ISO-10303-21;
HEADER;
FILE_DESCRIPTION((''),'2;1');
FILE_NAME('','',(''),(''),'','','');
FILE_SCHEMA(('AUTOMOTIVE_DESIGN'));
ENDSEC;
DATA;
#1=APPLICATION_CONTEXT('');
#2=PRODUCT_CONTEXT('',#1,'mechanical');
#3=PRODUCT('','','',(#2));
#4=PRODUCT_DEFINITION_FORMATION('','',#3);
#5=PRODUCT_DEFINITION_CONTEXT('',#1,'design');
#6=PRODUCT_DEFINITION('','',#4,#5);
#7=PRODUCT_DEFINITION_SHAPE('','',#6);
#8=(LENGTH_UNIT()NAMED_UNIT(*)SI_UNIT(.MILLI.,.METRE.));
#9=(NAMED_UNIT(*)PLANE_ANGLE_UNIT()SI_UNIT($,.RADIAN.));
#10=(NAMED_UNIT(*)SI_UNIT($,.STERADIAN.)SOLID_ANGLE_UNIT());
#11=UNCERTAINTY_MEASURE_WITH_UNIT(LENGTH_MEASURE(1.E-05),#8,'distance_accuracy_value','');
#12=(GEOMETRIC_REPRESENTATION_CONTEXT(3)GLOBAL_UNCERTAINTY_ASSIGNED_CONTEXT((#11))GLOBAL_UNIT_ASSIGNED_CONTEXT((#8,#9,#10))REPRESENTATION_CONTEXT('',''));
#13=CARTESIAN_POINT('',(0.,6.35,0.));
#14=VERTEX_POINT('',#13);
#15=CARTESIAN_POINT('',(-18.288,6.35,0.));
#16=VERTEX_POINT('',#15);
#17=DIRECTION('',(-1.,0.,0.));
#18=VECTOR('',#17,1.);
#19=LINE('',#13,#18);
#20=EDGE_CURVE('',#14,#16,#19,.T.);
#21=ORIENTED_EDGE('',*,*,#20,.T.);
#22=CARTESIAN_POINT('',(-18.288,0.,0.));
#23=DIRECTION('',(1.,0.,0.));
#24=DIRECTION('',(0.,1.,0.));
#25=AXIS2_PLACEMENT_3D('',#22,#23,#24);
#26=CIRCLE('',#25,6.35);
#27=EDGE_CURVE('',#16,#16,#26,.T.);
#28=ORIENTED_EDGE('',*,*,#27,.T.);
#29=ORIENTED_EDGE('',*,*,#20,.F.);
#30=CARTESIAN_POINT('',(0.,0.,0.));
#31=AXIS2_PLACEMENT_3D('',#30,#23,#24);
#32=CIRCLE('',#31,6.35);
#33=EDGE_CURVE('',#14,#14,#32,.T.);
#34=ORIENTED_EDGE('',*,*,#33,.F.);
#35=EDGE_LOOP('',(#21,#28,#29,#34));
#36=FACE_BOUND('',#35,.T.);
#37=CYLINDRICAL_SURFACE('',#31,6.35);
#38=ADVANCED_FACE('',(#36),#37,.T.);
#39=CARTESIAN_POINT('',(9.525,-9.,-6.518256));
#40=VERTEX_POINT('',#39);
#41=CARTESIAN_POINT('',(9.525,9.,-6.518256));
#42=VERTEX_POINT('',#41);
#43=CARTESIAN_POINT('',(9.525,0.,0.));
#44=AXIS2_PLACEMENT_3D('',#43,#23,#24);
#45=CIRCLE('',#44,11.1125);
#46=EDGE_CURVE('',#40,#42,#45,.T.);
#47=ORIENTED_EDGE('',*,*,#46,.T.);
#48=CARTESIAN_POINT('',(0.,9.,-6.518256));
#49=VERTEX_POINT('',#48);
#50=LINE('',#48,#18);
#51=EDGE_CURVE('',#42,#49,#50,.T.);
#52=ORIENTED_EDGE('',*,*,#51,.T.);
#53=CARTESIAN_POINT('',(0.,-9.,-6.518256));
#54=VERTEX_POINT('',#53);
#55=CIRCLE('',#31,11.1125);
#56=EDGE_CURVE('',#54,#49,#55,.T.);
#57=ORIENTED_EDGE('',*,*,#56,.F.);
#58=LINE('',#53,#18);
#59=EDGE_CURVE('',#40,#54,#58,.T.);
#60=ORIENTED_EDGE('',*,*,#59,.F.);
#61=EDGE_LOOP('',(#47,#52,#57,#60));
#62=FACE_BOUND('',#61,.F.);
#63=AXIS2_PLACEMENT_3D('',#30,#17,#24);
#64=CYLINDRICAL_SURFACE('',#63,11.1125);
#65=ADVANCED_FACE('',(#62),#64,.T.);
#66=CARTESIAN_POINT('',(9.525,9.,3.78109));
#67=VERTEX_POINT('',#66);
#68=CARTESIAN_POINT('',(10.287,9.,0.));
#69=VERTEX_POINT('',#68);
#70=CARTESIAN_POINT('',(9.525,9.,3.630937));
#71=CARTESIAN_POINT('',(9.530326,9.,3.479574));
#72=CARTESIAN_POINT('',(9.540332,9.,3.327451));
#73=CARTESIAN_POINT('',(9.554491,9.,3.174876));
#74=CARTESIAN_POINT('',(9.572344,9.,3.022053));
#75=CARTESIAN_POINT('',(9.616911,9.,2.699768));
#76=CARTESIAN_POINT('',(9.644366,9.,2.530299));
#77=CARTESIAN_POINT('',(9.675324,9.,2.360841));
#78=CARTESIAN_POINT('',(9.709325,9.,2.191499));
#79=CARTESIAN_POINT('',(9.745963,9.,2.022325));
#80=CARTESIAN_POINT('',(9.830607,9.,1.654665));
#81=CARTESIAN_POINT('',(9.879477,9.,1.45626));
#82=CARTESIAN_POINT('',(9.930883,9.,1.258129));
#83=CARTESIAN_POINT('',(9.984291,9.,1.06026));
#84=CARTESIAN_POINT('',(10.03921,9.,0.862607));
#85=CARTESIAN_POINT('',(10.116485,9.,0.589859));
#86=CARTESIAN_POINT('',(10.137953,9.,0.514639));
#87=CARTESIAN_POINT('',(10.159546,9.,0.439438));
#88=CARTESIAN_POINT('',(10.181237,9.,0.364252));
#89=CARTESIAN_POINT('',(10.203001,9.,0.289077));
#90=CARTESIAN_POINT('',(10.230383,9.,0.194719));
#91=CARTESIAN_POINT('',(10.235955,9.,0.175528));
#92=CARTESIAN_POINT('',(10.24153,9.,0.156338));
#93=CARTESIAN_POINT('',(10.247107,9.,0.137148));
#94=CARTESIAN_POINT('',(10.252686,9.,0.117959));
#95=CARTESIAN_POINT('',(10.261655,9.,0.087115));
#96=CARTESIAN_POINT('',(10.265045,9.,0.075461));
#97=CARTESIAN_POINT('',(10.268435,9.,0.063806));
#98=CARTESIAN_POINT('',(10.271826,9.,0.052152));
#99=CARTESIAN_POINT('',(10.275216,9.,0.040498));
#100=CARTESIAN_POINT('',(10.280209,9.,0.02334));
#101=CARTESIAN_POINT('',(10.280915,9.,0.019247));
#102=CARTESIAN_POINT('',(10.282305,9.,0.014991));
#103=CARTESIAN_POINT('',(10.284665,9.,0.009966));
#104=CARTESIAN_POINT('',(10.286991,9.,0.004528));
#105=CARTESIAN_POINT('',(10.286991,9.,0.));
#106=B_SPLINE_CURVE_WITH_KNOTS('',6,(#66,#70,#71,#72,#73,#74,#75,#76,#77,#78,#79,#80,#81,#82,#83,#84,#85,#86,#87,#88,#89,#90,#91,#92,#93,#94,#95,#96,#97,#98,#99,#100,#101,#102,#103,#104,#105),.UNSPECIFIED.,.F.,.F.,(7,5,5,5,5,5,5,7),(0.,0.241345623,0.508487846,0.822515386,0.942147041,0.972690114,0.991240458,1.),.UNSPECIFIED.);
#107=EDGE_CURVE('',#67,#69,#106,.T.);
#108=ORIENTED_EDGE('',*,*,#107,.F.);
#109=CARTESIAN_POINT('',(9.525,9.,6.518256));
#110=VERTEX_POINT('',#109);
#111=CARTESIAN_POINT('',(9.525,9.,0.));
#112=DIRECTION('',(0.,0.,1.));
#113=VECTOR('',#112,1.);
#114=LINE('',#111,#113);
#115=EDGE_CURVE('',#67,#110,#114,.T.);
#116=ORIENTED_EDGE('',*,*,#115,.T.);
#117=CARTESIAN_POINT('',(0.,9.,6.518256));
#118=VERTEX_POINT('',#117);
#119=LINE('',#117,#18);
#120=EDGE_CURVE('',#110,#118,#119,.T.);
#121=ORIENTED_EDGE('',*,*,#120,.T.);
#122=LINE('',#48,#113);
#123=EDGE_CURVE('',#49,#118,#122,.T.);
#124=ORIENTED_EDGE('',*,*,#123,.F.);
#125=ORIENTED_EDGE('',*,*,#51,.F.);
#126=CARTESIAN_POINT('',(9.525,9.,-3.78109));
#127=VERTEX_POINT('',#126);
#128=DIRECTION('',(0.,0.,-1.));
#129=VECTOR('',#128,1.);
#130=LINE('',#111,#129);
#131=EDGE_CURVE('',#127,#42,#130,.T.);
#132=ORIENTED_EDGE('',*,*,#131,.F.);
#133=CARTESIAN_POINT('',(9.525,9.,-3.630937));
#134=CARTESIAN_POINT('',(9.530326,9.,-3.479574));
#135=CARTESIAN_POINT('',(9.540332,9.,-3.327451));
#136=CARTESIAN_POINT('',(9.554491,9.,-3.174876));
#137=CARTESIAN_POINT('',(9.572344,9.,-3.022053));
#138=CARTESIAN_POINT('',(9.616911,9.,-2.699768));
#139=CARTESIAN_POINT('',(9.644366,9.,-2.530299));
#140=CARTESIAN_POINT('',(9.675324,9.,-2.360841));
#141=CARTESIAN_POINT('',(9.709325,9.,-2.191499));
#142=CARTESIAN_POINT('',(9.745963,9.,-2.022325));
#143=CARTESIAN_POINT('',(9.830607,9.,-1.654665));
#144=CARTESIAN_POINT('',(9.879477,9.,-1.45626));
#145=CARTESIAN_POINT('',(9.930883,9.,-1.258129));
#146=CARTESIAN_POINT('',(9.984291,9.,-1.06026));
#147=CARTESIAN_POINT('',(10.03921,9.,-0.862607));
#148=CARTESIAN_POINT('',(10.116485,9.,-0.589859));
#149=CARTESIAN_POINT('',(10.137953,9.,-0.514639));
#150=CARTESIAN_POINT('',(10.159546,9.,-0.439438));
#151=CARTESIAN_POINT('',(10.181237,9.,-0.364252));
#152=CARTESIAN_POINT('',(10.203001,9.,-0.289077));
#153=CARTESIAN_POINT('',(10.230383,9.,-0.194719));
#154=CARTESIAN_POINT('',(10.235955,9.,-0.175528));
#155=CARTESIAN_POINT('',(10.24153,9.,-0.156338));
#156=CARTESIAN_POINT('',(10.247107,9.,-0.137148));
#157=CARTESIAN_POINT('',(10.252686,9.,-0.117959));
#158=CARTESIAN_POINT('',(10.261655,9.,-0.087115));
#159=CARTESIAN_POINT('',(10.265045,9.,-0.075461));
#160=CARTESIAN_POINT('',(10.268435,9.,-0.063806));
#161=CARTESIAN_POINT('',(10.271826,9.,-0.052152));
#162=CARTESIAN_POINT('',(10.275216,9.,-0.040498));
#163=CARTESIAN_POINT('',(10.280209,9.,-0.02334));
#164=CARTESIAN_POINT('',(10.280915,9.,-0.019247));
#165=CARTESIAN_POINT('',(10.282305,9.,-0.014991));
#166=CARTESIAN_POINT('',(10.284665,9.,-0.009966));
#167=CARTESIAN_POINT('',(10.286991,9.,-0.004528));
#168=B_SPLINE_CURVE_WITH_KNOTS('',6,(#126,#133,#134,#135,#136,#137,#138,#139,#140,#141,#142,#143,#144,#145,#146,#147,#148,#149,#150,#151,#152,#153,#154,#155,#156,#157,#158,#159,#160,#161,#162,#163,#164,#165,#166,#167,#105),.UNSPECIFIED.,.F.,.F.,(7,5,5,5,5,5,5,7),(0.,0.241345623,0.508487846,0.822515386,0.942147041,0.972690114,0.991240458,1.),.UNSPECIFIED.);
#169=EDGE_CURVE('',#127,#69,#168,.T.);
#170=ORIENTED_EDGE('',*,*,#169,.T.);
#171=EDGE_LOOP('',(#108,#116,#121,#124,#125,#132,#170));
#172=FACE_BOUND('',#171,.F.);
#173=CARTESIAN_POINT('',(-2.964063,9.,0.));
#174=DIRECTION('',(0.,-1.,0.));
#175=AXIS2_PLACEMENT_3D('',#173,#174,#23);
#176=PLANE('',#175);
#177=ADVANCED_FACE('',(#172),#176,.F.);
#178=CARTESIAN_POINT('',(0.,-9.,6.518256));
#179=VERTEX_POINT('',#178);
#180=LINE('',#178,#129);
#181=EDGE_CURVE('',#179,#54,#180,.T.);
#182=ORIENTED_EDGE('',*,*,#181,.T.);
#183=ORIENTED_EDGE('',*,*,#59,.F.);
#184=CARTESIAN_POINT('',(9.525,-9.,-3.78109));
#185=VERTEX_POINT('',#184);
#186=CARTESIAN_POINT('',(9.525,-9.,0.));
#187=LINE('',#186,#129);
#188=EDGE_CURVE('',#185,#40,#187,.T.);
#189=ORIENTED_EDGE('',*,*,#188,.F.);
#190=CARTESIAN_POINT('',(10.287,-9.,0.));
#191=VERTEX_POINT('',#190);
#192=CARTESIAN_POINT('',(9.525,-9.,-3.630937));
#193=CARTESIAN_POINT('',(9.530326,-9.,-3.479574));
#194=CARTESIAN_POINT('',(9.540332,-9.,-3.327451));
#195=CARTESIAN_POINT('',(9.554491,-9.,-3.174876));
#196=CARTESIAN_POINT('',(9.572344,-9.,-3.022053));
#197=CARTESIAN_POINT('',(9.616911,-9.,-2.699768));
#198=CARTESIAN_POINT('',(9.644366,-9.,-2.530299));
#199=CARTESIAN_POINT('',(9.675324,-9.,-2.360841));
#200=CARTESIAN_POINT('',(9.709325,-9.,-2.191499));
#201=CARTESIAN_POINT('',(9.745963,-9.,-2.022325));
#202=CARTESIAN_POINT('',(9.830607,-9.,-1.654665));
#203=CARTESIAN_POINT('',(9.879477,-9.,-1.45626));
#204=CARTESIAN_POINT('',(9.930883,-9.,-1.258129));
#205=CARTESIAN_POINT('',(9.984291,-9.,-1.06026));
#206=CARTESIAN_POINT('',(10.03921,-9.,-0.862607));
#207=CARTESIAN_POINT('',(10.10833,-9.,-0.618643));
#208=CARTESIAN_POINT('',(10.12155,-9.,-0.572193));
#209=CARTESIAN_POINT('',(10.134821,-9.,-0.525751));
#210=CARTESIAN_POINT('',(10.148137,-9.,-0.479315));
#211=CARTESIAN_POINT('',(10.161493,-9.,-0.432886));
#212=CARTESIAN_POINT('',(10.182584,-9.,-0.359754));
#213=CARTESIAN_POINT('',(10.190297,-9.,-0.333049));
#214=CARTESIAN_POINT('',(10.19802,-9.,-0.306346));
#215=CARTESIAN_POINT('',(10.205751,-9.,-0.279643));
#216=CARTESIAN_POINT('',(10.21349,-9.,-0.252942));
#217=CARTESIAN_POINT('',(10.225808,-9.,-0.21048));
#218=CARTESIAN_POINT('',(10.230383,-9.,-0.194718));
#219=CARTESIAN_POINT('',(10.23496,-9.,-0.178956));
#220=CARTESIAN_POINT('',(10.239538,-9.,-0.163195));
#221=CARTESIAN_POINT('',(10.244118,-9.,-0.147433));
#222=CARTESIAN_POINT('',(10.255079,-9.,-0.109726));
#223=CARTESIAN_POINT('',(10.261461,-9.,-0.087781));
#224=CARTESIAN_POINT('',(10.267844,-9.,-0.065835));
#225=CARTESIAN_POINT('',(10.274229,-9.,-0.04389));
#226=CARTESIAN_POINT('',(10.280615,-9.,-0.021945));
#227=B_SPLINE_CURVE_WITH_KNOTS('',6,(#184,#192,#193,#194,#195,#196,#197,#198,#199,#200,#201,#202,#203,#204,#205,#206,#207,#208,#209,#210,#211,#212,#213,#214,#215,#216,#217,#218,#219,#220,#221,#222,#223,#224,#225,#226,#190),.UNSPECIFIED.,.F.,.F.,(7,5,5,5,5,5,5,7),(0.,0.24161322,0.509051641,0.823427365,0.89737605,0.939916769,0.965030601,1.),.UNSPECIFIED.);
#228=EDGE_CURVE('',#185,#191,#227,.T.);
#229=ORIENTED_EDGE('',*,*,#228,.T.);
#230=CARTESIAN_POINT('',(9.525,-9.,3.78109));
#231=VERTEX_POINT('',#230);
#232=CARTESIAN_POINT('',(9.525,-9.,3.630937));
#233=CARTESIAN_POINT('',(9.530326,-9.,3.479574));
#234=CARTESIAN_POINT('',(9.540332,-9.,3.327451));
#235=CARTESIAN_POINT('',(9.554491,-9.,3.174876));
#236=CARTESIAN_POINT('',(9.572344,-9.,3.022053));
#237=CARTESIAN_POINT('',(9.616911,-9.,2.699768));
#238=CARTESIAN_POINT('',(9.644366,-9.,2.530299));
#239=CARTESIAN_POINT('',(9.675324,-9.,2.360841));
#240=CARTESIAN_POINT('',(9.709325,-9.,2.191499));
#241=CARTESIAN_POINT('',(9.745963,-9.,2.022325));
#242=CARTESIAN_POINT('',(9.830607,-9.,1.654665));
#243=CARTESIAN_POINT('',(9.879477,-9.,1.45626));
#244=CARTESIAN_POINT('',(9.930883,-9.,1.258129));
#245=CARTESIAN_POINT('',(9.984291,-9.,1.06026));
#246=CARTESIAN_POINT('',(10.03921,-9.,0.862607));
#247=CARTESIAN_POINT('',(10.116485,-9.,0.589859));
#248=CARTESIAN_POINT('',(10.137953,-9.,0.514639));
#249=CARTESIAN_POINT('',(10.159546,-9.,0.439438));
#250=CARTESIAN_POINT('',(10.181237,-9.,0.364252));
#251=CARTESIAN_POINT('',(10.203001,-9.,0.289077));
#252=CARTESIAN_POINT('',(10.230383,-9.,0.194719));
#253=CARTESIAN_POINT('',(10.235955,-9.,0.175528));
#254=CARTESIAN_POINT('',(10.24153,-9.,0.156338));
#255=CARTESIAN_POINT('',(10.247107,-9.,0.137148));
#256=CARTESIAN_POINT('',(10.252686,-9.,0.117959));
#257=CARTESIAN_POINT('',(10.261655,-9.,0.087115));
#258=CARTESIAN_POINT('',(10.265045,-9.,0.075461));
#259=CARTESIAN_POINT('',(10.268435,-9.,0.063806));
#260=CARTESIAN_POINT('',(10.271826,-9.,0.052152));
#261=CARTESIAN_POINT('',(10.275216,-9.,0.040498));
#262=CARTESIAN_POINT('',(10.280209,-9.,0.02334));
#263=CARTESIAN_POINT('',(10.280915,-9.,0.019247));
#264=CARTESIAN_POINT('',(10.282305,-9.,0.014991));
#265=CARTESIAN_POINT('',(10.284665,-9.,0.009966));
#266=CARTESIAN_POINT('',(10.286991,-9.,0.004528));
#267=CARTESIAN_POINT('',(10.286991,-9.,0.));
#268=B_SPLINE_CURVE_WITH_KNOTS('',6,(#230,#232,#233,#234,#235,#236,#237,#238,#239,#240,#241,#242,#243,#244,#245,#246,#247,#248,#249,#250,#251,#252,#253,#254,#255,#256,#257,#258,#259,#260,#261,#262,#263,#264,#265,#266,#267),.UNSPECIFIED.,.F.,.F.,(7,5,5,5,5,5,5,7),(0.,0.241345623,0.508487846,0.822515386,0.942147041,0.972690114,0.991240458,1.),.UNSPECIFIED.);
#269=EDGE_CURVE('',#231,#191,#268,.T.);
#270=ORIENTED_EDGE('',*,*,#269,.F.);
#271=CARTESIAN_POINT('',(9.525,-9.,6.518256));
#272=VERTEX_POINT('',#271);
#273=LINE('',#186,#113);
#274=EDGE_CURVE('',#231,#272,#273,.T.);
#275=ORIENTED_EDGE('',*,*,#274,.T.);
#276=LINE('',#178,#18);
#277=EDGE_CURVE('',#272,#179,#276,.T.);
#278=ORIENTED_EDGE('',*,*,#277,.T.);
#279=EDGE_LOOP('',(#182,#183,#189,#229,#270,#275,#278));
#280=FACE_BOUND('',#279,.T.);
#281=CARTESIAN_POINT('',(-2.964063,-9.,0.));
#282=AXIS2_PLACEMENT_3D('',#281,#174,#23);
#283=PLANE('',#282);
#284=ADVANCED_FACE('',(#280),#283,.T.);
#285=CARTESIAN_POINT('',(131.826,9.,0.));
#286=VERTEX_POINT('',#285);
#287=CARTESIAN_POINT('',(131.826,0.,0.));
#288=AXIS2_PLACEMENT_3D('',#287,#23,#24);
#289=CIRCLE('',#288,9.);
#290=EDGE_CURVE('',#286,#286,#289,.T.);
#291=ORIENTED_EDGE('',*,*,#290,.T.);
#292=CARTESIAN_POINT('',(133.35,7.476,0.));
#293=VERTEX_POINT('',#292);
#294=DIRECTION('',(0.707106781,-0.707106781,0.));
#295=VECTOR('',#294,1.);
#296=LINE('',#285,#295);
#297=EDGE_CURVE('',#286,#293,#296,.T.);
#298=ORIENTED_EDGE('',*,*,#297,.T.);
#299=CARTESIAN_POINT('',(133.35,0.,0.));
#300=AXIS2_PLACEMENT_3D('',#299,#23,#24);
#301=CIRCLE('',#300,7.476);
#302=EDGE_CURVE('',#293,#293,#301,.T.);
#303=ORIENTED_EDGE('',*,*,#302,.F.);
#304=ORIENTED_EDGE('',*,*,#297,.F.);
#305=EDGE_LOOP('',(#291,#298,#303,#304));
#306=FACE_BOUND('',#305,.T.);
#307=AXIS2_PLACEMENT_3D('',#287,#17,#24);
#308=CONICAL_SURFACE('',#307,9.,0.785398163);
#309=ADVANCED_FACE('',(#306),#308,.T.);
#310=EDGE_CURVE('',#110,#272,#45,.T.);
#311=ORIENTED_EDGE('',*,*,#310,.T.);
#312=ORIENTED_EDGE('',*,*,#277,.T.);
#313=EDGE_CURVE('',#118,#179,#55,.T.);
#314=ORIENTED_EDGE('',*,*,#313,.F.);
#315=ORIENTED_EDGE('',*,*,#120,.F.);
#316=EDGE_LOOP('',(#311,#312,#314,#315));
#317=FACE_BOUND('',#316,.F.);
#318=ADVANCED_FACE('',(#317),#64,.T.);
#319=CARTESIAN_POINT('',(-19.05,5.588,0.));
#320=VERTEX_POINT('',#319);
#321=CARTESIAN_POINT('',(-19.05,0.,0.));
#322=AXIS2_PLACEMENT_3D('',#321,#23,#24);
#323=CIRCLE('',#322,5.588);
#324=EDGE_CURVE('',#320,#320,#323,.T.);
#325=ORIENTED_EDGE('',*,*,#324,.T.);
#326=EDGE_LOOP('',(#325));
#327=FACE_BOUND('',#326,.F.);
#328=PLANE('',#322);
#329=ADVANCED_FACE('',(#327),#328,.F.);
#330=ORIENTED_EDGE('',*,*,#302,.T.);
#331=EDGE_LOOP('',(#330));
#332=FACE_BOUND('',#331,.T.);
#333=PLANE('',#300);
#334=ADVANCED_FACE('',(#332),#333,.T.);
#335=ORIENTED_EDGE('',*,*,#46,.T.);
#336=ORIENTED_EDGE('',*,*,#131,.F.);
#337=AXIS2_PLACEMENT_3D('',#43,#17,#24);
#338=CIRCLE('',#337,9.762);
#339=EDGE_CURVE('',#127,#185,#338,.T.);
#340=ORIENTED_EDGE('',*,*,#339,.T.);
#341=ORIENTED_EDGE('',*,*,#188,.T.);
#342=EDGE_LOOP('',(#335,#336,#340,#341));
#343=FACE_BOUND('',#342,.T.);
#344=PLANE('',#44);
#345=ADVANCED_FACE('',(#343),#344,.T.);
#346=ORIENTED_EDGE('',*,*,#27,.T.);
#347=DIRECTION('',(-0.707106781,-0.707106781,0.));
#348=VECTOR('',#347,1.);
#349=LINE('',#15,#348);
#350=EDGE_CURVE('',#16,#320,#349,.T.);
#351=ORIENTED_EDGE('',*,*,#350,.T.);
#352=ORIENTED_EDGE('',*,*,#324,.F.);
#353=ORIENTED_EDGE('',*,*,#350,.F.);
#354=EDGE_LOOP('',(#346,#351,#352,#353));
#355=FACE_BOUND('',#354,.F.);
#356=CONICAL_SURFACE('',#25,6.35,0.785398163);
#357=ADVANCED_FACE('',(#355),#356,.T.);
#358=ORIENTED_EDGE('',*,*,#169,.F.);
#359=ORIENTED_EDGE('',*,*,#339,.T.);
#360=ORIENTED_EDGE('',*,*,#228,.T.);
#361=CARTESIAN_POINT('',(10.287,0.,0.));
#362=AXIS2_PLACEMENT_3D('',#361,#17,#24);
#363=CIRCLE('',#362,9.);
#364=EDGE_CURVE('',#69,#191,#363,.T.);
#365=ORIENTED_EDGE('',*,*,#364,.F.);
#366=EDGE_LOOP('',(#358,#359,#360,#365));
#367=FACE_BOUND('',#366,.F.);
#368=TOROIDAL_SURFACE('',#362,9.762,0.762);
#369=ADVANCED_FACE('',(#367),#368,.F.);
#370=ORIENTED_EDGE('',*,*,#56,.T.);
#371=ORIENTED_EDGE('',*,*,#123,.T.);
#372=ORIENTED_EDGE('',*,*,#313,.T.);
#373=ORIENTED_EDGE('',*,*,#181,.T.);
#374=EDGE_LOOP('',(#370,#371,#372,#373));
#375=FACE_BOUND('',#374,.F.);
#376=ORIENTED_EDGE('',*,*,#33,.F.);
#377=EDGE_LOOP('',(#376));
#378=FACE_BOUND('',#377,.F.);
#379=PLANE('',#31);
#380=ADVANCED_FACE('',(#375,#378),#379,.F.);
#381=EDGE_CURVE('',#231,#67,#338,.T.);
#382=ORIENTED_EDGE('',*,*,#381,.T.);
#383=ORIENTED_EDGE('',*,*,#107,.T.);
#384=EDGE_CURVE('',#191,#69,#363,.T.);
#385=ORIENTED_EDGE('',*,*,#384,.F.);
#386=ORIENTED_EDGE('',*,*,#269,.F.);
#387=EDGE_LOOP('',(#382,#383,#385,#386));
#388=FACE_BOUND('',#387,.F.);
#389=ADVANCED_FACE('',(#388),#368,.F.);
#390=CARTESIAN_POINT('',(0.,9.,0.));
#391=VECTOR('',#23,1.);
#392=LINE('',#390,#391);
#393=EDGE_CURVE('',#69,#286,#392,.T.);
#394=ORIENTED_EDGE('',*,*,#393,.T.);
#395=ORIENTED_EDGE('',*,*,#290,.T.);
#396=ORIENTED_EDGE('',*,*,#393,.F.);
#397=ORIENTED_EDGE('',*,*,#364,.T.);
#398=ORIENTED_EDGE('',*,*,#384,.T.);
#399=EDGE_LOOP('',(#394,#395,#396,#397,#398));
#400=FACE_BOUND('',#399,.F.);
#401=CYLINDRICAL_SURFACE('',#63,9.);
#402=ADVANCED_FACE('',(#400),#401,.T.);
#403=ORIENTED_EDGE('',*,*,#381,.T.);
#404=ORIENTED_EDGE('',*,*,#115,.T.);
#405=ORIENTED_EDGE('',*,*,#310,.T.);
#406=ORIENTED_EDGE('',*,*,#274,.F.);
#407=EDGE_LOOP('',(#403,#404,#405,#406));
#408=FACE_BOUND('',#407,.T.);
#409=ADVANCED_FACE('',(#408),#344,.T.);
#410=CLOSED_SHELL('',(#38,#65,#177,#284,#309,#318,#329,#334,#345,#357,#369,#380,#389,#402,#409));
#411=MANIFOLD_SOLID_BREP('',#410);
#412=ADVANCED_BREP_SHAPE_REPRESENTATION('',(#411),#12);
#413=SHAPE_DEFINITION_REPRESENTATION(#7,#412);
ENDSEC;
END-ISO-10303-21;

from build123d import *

# Parameters (mm, degrees)
F0_R           = 6.35
F1_DEPTH       = 19.05
F2_SIZE        = 0.762
F3_R           = 9
F4_DEPTH       = 133.35
F5_R           = 11.1125
F6_DEPTH       = 9.525
F7_R           = 0.762
F8_SIZE        = 1.524
F9_W           = 13.2510633147
F9_H           = 4.6713348329
F10_DEPTH      = 11.1135
F10_DEPTH_BACK = 11.1135


with BuildPart() as f1:
    # F0 (on Right) → F1 (new body)
    with BuildSketch(Plane.YZ):
        Circle(F0_R)
    extrude(amount=-F1_DEPTH)

    # F2
    f2_edges = [f1.edges().sort_by_distance(p)[0] for p in [
        (-19.05, -6.35, 0),
    ]]
    chamfer(f2_edges, length=F2_SIZE)

    # F3 (on Right) → F4 (join)
    with BuildSketch(Plane.YZ):
        Circle(F3_R)
    extrude(amount=F4_DEPTH)

    # F5 (on Right) → F6 (join)
    with BuildSketch(Plane.YZ):
        Circle(F5_R)
    extrude(amount=F6_DEPTH)

    # F7
    f7_edges = [f1.edges().sort_by_distance(p)[0] for p in [
        (9.525, -9, 0),
    ]]
    fillet(f7_edges, radius=F7_R)

    # F8
    f8_edges = [f1.edges().sort_by_distance(p)[0] for p in [
        (133.35, -9, 0),
    ]]
    chamfer(f8_edges, length=F8_SIZE)

    # F9 (on Top) → F10 (cut, two sides)
    with BuildSketch(Plane.XY) as f10_sk:
        with Locations((3.6614683426, 11.3356674165)):
            Rectangle(F9_W, F9_H)
        with Locations((3.6614683426, -11.3356674165)):
            Rectangle(F9_W, F9_H)
    extrude(amount=-F10_DEPTH, mode=Mode.SUBTRACT)
    extrude(f10_sk.sketch, amount=F10_DEPTH_BACK, mode=Mode.SUBTRACT)


solid = f1.part
